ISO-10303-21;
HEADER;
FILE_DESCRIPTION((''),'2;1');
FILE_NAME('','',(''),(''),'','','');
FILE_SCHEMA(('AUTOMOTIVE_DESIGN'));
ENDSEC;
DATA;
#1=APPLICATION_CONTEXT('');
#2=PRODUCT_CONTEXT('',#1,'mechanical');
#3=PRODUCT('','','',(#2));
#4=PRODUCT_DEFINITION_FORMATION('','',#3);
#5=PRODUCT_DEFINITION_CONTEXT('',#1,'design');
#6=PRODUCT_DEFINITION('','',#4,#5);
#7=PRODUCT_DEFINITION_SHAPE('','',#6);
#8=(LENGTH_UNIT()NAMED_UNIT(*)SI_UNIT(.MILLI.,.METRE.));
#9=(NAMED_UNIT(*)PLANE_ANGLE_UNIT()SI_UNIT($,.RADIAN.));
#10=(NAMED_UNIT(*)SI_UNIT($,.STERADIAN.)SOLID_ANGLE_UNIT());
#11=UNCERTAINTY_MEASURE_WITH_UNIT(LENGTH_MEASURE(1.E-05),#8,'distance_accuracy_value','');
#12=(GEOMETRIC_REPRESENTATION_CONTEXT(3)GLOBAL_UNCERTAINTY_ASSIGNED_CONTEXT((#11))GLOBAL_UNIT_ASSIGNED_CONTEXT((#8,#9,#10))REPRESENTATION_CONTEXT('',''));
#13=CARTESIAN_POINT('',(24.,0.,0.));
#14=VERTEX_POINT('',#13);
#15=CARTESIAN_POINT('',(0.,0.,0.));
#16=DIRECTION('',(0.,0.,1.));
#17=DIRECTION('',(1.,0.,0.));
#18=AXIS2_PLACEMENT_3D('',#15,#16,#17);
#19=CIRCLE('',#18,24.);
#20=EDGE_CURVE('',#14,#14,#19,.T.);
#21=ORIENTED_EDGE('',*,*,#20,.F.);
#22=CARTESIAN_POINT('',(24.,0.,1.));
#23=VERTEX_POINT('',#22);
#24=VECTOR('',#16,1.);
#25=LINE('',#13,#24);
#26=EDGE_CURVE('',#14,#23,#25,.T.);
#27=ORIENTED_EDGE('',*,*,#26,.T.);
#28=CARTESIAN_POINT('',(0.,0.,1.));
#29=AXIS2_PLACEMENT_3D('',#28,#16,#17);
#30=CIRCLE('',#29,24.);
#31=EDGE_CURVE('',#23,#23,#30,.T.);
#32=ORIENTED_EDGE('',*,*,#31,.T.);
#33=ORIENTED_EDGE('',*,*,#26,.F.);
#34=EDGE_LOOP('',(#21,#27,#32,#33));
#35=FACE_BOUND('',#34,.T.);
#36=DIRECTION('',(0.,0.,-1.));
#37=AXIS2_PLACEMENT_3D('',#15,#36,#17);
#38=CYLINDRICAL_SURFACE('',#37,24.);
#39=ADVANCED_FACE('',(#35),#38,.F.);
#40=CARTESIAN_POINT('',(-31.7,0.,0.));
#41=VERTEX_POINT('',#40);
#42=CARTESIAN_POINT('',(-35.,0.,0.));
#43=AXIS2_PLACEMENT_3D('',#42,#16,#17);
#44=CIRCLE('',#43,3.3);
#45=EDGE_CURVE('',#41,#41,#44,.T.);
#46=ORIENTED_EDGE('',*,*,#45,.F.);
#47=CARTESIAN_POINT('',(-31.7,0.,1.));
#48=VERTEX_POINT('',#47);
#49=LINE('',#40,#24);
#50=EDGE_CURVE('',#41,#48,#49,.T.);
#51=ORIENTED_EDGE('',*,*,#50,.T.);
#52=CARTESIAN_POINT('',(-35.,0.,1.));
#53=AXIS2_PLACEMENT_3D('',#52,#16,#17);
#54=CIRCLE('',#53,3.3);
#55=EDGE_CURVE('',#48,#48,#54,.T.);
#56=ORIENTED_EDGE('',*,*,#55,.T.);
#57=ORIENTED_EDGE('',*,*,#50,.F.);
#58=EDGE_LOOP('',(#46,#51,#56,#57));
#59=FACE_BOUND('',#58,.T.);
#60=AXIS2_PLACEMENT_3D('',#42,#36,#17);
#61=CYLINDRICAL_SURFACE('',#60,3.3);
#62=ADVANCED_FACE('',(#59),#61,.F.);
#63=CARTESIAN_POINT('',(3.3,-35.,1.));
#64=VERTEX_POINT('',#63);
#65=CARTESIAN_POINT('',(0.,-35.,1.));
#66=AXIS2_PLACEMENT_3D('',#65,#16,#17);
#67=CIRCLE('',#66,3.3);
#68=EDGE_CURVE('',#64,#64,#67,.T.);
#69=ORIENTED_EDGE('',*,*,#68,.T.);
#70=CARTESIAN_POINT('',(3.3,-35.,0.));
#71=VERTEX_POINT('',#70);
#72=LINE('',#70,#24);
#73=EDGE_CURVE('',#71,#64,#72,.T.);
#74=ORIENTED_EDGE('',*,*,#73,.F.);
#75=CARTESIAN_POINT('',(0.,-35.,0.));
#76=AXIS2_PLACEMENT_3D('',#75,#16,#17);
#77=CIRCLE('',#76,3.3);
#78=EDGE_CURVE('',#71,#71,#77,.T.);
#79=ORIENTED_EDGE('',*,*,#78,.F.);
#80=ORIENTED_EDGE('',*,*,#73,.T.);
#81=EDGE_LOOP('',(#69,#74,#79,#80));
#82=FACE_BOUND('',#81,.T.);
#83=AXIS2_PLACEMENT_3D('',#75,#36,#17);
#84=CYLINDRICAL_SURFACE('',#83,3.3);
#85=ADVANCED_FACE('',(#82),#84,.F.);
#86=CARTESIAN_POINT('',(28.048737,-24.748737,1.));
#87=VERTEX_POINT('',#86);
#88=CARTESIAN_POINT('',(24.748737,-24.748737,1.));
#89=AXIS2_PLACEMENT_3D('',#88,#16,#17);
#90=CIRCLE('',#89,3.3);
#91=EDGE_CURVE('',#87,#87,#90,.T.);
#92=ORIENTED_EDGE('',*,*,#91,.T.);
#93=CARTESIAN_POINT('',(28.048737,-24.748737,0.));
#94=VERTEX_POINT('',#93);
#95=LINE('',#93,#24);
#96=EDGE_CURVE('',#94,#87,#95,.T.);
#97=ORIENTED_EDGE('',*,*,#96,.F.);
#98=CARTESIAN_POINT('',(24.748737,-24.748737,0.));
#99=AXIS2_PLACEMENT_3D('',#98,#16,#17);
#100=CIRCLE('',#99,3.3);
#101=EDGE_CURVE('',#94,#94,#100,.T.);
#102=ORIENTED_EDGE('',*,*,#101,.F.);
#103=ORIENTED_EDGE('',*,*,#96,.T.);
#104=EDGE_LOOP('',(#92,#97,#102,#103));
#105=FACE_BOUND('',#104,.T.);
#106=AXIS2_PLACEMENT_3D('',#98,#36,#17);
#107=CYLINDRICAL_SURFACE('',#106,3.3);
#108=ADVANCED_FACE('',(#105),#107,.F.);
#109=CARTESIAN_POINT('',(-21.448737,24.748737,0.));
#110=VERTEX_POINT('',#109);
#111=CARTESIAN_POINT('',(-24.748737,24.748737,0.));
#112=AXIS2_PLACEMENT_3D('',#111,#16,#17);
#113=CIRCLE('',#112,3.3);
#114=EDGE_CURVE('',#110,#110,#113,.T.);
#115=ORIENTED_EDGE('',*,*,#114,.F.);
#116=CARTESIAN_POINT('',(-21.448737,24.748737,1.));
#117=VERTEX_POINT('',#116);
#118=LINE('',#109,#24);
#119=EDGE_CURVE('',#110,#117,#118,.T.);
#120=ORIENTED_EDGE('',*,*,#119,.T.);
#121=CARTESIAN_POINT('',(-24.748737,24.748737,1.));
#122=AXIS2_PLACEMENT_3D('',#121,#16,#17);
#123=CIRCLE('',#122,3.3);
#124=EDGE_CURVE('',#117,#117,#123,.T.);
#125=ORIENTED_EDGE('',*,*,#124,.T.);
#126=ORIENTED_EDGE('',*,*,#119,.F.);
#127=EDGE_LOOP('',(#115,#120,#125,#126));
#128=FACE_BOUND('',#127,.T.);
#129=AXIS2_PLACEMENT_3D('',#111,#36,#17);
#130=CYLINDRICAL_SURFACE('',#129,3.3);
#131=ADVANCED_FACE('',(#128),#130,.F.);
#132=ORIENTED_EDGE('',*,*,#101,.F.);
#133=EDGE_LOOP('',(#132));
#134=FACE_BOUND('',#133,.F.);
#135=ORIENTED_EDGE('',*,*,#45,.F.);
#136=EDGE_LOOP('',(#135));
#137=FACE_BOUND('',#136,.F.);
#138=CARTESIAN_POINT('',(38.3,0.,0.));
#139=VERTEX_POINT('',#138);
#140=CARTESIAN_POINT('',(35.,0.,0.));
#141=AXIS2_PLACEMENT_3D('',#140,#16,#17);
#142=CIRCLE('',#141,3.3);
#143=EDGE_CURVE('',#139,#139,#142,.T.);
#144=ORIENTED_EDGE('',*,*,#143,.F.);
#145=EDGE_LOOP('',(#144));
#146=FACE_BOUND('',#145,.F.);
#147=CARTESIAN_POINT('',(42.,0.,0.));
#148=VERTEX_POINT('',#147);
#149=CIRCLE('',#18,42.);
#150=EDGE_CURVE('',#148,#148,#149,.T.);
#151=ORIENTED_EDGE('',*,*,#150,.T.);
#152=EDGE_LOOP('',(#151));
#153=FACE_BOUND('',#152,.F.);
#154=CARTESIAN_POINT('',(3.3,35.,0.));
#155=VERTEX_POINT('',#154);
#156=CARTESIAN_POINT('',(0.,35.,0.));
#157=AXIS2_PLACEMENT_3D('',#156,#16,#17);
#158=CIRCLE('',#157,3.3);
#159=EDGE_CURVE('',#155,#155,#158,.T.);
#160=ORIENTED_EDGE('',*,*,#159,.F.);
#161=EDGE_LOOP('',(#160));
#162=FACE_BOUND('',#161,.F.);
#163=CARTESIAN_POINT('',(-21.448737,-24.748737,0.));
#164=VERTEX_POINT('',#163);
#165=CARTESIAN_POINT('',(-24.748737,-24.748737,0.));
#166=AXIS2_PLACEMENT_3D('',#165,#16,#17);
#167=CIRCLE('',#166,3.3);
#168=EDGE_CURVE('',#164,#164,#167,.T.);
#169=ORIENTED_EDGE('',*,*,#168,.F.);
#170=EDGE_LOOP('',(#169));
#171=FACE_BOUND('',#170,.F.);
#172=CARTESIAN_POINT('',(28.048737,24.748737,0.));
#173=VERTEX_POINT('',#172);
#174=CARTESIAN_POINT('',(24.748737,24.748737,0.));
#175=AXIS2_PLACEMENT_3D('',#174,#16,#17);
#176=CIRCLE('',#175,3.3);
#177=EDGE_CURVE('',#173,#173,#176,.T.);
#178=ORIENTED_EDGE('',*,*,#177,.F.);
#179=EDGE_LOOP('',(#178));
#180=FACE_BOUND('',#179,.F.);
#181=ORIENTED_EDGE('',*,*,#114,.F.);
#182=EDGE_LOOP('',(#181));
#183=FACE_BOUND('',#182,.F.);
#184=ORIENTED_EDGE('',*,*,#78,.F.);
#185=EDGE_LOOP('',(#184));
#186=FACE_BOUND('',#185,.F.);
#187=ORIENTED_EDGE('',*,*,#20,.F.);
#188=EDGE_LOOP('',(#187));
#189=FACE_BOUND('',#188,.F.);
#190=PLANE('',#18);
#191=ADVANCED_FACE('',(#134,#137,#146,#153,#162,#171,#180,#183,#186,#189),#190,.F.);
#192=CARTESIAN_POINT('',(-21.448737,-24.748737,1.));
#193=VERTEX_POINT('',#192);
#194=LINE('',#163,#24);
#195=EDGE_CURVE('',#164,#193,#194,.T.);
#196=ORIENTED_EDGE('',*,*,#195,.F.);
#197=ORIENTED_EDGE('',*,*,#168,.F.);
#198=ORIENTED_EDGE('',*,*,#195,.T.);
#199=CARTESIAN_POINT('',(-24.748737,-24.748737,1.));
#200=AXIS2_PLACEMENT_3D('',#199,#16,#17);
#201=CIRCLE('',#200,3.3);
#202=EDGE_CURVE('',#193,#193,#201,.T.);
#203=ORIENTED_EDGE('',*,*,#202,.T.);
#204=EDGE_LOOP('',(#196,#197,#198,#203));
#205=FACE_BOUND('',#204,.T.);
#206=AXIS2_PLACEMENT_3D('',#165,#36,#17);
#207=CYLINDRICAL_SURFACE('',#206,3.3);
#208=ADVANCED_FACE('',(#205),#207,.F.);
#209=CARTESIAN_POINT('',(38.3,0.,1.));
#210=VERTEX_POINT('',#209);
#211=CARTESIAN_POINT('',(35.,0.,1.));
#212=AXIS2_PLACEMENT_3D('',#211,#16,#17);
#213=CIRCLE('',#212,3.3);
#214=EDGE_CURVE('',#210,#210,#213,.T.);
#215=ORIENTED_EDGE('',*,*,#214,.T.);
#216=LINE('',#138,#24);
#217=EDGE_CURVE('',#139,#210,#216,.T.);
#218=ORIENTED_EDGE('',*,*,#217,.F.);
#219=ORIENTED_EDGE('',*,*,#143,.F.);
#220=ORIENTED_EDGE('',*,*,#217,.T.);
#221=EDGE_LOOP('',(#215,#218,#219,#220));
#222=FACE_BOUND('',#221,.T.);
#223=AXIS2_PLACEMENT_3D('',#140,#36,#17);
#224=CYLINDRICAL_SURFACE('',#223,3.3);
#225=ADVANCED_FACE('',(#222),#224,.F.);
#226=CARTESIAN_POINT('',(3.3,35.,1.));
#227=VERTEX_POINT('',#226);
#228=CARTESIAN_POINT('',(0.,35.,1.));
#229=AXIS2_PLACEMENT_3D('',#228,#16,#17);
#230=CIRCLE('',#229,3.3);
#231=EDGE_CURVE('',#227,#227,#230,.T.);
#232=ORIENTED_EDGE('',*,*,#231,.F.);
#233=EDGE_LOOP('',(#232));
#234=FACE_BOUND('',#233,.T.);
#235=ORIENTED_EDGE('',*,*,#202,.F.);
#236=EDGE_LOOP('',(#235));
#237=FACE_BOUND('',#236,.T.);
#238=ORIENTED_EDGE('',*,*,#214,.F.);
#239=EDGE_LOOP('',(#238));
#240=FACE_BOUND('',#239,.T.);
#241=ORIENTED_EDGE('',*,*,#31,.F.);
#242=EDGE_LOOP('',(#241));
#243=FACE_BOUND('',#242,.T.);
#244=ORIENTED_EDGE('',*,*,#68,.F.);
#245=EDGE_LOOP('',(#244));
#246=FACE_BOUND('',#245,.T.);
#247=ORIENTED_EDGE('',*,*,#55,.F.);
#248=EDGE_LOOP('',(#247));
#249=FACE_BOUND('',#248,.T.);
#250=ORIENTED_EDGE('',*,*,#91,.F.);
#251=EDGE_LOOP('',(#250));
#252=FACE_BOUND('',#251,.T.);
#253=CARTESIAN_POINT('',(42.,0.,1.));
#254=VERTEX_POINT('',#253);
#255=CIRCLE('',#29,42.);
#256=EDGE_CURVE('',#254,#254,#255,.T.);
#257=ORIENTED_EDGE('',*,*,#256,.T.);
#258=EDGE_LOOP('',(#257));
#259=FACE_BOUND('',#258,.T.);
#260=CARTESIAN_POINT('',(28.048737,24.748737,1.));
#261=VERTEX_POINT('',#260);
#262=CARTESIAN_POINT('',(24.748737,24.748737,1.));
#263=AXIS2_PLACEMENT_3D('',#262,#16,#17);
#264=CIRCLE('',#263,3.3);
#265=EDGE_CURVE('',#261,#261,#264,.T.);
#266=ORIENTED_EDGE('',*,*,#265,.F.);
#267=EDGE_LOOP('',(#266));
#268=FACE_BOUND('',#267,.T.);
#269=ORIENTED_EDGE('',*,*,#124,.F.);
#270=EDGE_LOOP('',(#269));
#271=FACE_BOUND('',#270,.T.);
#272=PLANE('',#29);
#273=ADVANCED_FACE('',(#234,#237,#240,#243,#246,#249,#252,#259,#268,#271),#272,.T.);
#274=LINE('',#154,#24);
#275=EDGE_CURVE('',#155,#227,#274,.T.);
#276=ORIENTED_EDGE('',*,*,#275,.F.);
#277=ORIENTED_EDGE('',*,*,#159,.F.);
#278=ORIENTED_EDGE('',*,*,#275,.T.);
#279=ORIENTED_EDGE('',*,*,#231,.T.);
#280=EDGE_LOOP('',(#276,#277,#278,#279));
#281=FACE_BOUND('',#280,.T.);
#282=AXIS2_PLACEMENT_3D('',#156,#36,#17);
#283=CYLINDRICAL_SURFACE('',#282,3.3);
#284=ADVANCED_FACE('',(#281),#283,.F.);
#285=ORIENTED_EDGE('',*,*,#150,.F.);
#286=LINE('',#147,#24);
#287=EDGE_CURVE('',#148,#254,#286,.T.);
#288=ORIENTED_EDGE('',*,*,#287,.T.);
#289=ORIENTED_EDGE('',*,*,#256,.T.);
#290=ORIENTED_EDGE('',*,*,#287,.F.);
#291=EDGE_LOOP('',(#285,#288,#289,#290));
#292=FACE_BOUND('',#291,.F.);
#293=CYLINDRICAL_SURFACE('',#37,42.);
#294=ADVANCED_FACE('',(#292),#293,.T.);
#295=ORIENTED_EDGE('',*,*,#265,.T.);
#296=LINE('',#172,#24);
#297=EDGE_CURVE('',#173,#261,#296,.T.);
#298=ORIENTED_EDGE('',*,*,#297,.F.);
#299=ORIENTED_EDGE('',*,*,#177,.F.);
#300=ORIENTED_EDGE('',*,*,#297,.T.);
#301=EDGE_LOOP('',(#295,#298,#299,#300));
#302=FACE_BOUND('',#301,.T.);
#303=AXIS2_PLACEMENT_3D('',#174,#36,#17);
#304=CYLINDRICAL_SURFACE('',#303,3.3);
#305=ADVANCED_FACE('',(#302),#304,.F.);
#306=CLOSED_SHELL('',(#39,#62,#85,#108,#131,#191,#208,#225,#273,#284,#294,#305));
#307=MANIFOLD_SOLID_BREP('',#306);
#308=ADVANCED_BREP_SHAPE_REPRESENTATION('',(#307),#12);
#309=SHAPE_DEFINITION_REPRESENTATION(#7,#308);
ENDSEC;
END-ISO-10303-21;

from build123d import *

# Parameters (mm, degrees)
F0_R     = 42
F0_R_2   = 3.3
F0_R_3   = 24
F1_DEPTH = 1


with BuildPart() as f1:
    # F0 (on Top) → F1 (new body)
    with BuildSketch(Plane.XY):
        Circle(F0_R)
        with Locations((-24.748737, -24.748737)):
            Circle(F0_R_2, mode=Mode.SUBTRACT)
        with Locations((0, -35)):
            Circle(F0_R_2, mode=Mode.SUBTRACT)
        with Locations((24.748737, -24.748737)):
            Circle(F0_R_2, mode=Mode.SUBTRACT)
        with Locations((-35, 0)):
            Circle(F0_R_2, mode=Mode.SUBTRACT)
        with Locations((-24.748737, 24.748737)):
            Circle(F0_R_2, mode=Mode.SUBTRACT)
        Circle(F0_R_3, mode=Mode.SUBTRACT)
        with Locations((35, 0)):
            Circle(F0_R_2, mode=Mode.SUBTRACT)
        with Locations((0, 35)):
            Circle(F0_R_2, mode=Mode.SUBTRACT)
        with Locations((24.748737, 24.748737)):
            Circle(F0_R_2, mode=Mode.SUBTRACT)
    extrude(amount=F1_DEPTH)


solid = f1.part
